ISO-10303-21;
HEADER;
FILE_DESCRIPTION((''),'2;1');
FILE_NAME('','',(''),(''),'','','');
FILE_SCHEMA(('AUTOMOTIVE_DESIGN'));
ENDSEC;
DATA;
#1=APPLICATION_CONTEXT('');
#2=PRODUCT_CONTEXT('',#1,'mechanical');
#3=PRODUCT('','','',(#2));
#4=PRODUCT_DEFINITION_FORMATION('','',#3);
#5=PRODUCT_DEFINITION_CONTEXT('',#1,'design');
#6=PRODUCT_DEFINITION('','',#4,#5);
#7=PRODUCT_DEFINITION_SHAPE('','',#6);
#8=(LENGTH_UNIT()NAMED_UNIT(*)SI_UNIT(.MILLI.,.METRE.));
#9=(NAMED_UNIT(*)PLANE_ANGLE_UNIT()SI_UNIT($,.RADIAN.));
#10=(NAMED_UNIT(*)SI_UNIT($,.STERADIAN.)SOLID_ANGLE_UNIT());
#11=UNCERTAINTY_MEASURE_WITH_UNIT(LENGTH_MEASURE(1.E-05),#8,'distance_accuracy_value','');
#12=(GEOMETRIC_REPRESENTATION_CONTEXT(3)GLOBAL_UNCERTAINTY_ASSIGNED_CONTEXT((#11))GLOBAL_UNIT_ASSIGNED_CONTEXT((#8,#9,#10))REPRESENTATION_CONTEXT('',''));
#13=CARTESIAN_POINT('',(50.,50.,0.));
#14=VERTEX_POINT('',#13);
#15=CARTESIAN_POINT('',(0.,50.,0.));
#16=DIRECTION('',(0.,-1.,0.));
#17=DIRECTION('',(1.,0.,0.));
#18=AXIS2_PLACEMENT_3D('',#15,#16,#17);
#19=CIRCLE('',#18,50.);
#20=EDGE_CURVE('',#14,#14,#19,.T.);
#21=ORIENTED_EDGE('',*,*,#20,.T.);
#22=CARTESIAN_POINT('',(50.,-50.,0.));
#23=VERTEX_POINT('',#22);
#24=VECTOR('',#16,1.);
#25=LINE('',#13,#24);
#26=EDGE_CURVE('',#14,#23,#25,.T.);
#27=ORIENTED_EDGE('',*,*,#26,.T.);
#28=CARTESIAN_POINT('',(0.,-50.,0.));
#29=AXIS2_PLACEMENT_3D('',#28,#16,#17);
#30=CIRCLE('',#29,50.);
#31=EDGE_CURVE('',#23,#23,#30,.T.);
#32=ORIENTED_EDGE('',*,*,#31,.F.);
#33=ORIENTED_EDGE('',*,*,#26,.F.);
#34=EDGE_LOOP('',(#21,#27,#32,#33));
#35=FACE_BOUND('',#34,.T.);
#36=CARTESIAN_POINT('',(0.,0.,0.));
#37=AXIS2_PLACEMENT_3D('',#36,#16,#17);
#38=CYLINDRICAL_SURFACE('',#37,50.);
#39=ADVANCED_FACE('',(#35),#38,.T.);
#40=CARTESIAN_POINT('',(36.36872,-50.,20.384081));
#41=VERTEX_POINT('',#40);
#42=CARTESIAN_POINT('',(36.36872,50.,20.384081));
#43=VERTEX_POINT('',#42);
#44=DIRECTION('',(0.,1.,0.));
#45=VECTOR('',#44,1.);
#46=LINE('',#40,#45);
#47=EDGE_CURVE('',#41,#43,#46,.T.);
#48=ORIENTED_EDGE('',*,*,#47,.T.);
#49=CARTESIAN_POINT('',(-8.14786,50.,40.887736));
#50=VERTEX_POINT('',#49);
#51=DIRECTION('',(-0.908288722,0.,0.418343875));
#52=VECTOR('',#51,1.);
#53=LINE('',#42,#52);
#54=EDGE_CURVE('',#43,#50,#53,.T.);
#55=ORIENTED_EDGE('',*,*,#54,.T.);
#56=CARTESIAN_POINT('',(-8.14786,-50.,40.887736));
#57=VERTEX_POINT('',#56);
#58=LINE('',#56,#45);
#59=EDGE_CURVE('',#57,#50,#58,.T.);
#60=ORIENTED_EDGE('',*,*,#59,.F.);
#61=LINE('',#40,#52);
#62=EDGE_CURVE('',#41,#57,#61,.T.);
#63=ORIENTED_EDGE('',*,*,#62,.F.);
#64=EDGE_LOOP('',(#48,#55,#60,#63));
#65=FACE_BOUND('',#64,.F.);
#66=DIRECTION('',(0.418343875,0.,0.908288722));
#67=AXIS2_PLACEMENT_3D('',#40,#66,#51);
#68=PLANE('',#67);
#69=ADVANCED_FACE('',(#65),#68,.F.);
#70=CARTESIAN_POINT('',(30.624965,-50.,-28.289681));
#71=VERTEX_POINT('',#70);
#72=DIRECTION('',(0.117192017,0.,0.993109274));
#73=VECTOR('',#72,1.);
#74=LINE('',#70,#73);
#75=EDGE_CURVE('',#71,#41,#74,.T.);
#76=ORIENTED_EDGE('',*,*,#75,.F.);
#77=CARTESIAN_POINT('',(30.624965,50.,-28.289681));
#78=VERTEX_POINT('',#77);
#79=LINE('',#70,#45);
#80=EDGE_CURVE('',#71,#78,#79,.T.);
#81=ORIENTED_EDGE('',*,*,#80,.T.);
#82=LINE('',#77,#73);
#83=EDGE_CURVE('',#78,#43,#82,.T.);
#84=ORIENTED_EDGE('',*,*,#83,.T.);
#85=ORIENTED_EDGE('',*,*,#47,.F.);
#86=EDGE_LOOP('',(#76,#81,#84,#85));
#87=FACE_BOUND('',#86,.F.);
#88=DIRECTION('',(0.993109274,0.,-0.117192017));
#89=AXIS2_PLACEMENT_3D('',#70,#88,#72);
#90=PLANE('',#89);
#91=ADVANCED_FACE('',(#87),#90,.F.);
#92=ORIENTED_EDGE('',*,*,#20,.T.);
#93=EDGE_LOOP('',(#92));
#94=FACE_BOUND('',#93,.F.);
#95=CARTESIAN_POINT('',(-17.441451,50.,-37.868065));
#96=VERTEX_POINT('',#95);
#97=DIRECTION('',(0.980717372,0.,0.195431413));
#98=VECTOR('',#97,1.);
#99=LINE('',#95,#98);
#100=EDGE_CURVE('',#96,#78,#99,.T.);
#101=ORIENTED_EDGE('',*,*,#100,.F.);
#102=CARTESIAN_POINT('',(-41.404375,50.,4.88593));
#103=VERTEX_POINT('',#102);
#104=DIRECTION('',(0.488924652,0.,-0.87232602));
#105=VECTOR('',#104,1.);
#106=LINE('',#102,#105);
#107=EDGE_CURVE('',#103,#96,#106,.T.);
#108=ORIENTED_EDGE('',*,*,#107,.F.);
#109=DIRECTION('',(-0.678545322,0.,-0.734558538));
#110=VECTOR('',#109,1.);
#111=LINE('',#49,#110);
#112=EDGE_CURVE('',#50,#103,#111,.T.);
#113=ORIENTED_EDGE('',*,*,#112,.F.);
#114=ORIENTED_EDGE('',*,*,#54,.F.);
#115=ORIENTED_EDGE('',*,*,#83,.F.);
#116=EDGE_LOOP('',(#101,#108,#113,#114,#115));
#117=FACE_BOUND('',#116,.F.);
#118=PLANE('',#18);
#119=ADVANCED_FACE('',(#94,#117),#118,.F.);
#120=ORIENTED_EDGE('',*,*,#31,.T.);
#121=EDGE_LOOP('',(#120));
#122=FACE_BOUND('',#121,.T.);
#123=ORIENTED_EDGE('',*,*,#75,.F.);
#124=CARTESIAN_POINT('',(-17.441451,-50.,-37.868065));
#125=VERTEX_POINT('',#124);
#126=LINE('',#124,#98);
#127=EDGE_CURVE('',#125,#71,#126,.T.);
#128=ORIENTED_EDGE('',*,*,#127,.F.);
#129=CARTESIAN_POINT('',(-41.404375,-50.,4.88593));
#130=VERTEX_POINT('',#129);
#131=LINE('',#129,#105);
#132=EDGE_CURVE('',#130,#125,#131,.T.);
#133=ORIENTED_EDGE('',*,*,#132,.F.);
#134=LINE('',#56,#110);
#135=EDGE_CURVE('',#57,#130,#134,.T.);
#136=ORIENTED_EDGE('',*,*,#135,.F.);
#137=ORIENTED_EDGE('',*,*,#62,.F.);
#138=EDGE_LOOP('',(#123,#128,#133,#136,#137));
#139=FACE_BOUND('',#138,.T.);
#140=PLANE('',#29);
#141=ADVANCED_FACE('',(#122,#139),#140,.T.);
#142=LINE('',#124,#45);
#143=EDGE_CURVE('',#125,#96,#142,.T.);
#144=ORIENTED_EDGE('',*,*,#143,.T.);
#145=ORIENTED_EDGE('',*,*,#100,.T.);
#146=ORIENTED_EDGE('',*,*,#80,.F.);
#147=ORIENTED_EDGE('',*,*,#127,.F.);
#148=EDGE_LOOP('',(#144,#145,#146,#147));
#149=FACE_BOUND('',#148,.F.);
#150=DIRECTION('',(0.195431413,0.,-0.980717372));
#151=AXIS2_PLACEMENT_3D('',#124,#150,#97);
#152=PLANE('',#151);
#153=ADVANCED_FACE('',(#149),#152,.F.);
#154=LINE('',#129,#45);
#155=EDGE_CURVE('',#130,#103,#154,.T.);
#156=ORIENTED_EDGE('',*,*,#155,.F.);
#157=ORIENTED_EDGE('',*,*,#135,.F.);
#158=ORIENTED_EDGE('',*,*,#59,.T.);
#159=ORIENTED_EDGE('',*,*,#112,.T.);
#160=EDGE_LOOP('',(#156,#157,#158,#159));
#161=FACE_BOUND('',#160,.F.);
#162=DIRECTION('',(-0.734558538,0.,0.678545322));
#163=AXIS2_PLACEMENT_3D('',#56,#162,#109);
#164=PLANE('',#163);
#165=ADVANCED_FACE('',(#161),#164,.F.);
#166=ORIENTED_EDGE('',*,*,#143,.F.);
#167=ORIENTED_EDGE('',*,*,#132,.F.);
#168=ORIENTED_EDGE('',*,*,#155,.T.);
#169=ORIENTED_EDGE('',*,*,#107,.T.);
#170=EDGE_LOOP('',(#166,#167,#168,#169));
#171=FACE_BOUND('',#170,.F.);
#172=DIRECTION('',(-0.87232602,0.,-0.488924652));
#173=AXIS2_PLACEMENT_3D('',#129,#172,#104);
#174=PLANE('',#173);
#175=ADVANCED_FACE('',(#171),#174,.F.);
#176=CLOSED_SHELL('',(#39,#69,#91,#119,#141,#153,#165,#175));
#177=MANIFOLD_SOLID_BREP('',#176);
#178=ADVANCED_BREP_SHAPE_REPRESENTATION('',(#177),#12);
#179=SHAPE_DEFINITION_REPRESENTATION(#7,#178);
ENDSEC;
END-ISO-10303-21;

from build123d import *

# Parameters (mm, degrees)
F0_R     = 50
F1_DEPTH = 50
F3_DEPTH = 100


with BuildPart() as f1:
    # F0 (on Front) → F1 (new body, symmetric)
    with BuildSketch(Plane.XZ):
        Circle(F0_R)
    extrude(amount=F1_DEPTH, both=True)

    # F2 (on face) → F3 (cut)
    with BuildSketch(Plane.XZ.offset(50)):
        Polygon((30.624965, -28.289681), (36.36872, 20.384081), (-8.14786, 40.887736), (-41.404375, 4.88593), (-17.441451, -37.868065), align=None)
    extrude(amount=-F3_DEPTH, mode=Mode.SUBTRACT)


solid = f1.part
